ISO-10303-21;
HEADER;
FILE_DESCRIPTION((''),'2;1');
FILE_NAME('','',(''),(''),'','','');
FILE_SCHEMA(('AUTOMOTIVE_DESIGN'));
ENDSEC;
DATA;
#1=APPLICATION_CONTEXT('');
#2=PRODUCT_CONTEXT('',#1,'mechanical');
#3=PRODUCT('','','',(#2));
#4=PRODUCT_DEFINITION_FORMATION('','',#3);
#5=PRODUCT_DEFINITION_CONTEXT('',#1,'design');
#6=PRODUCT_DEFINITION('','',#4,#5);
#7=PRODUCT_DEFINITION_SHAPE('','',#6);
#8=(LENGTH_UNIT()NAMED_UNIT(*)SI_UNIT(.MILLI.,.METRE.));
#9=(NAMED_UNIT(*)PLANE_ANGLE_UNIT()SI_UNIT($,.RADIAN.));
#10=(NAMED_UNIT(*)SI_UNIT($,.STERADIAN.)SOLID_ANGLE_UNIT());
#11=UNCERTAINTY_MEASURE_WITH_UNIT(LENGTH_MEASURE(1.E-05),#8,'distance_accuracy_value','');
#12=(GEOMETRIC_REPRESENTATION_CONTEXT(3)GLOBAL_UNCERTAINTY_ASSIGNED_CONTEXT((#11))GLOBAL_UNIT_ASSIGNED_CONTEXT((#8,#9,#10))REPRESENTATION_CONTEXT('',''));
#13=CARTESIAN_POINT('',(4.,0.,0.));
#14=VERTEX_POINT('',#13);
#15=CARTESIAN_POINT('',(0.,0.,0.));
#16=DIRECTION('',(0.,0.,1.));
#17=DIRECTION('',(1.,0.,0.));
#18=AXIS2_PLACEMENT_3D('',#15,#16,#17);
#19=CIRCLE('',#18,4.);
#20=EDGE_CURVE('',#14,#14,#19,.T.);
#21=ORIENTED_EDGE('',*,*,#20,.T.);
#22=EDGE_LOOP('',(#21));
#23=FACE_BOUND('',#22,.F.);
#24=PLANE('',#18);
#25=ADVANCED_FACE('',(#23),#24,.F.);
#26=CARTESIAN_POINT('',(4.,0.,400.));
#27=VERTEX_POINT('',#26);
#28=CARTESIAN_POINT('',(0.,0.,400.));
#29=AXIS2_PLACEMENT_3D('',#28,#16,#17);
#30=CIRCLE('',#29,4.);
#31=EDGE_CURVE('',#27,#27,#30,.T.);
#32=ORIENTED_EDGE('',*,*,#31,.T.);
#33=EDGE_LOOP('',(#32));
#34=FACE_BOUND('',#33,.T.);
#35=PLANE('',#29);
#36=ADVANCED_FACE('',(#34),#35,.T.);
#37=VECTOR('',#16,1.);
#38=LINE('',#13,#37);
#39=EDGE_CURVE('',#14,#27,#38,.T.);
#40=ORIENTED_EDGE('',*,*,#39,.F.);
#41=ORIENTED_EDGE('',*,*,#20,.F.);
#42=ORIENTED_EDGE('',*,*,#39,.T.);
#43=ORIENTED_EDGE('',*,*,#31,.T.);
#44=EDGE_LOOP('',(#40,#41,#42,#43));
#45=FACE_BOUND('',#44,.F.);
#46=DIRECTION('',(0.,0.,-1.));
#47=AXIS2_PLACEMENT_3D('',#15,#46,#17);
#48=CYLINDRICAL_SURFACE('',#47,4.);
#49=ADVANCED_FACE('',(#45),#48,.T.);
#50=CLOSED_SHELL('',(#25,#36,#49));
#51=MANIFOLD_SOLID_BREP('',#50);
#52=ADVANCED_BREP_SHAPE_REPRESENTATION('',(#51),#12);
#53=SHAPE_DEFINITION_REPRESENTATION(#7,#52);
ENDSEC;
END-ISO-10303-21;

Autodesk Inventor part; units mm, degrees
ref_plane "YZ Plane" through (0, 0, 0) normal (1, 0, 0) x (0, 1, 0)
ref_plane "XZ Plane" through (0, 0, 0) normal (0, 1, 0) x (-1, 0, 0)
ref_plane "XY Plane" through (0, 0, 0) normal (0, 0, 1) x (1, 0, 0)
sketch "Esboço1" plane through (0, 0, 0) normal (0, 0, 1) x (1, 0, 0)
  circle A0 centre (0, 0) radius 4
  dimension "d0" = 8
extrude "Extrusão1" add sketch "Esboço1" along normal blind 400
properties part number "GuiaLinear_8mmx400mm"
